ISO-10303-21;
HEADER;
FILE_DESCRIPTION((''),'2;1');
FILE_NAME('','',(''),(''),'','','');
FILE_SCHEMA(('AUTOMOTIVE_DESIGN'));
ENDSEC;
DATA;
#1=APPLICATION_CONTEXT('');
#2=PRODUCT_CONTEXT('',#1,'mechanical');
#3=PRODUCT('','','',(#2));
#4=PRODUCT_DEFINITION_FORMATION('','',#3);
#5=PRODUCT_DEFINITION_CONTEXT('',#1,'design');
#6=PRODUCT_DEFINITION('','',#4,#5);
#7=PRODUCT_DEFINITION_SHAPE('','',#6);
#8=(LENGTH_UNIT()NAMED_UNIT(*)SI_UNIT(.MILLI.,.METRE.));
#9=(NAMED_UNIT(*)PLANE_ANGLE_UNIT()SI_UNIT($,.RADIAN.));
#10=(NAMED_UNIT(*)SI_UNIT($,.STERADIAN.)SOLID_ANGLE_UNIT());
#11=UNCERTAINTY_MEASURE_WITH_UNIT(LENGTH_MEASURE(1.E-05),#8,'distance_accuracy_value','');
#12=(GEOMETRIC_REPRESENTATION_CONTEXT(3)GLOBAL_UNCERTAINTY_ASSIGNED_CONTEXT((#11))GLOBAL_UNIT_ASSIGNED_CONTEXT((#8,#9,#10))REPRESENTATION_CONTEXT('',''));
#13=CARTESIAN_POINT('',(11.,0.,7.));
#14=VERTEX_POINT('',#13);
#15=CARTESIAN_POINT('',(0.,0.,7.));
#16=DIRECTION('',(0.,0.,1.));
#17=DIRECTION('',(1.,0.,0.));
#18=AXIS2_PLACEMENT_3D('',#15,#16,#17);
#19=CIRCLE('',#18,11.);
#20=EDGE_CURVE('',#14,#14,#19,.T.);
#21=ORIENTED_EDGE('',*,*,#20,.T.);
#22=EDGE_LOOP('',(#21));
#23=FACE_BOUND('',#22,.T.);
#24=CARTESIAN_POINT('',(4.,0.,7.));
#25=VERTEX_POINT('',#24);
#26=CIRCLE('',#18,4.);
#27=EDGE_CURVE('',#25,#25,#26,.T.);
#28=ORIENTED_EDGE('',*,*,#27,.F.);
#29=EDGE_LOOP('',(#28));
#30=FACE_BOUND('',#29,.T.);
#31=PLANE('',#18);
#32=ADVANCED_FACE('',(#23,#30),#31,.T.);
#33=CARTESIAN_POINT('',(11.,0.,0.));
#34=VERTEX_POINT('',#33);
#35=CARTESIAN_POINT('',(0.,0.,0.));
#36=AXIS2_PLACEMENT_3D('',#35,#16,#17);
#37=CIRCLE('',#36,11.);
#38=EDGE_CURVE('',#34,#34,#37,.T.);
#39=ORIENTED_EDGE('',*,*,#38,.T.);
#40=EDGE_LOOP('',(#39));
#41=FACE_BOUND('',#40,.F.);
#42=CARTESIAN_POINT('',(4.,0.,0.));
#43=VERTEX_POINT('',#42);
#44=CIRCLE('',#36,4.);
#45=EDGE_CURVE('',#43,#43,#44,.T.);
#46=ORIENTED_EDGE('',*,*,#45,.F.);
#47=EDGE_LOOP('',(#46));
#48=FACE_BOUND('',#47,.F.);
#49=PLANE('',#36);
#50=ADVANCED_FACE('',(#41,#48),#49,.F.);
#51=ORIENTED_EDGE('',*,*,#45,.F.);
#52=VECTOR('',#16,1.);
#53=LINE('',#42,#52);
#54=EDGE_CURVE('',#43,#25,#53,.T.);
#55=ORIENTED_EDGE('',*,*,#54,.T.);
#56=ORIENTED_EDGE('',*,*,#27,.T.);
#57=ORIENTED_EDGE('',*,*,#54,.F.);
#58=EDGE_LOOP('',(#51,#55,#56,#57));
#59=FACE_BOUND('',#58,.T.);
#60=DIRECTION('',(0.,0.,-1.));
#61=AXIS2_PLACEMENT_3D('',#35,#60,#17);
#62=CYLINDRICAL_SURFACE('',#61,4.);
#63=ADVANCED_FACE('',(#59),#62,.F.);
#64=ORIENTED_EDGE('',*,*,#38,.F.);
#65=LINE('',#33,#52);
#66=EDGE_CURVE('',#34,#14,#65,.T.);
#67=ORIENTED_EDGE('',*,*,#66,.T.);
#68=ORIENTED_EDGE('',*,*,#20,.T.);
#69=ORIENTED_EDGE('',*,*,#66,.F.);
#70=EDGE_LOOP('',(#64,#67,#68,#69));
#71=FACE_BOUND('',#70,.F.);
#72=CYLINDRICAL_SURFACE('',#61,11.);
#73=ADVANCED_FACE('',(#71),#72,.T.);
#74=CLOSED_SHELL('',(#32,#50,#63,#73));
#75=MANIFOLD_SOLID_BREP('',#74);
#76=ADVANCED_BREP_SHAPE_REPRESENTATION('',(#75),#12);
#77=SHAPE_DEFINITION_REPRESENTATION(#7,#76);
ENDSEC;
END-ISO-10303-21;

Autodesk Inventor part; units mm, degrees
ref_plane "YZ Plane" through (0, 0, 0) normal (1, 0, 0) x (0, 1, 0)
ref_plane "XZ Plane" through (0, 0, 0) normal (0, 1, 0) x (-1, 0, 0)
ref_plane "XY Plane" through (0, 0, 0) normal (0, 0, 1) x (1, 0, 0)
sketch "Sketch1" plane through (0, 0, 0) normal (0, 0, 1) x (1, 0, 0)
  circle A0 centre (0, 0) radius 4
  circle A1 centre (0, 0) radius 11
  dimension "d0" = 8
  dimension "d2" = 22
extrude "Extrusion1" add sketch "Sketch1" along normal blind 7
properties part number "bearing"
